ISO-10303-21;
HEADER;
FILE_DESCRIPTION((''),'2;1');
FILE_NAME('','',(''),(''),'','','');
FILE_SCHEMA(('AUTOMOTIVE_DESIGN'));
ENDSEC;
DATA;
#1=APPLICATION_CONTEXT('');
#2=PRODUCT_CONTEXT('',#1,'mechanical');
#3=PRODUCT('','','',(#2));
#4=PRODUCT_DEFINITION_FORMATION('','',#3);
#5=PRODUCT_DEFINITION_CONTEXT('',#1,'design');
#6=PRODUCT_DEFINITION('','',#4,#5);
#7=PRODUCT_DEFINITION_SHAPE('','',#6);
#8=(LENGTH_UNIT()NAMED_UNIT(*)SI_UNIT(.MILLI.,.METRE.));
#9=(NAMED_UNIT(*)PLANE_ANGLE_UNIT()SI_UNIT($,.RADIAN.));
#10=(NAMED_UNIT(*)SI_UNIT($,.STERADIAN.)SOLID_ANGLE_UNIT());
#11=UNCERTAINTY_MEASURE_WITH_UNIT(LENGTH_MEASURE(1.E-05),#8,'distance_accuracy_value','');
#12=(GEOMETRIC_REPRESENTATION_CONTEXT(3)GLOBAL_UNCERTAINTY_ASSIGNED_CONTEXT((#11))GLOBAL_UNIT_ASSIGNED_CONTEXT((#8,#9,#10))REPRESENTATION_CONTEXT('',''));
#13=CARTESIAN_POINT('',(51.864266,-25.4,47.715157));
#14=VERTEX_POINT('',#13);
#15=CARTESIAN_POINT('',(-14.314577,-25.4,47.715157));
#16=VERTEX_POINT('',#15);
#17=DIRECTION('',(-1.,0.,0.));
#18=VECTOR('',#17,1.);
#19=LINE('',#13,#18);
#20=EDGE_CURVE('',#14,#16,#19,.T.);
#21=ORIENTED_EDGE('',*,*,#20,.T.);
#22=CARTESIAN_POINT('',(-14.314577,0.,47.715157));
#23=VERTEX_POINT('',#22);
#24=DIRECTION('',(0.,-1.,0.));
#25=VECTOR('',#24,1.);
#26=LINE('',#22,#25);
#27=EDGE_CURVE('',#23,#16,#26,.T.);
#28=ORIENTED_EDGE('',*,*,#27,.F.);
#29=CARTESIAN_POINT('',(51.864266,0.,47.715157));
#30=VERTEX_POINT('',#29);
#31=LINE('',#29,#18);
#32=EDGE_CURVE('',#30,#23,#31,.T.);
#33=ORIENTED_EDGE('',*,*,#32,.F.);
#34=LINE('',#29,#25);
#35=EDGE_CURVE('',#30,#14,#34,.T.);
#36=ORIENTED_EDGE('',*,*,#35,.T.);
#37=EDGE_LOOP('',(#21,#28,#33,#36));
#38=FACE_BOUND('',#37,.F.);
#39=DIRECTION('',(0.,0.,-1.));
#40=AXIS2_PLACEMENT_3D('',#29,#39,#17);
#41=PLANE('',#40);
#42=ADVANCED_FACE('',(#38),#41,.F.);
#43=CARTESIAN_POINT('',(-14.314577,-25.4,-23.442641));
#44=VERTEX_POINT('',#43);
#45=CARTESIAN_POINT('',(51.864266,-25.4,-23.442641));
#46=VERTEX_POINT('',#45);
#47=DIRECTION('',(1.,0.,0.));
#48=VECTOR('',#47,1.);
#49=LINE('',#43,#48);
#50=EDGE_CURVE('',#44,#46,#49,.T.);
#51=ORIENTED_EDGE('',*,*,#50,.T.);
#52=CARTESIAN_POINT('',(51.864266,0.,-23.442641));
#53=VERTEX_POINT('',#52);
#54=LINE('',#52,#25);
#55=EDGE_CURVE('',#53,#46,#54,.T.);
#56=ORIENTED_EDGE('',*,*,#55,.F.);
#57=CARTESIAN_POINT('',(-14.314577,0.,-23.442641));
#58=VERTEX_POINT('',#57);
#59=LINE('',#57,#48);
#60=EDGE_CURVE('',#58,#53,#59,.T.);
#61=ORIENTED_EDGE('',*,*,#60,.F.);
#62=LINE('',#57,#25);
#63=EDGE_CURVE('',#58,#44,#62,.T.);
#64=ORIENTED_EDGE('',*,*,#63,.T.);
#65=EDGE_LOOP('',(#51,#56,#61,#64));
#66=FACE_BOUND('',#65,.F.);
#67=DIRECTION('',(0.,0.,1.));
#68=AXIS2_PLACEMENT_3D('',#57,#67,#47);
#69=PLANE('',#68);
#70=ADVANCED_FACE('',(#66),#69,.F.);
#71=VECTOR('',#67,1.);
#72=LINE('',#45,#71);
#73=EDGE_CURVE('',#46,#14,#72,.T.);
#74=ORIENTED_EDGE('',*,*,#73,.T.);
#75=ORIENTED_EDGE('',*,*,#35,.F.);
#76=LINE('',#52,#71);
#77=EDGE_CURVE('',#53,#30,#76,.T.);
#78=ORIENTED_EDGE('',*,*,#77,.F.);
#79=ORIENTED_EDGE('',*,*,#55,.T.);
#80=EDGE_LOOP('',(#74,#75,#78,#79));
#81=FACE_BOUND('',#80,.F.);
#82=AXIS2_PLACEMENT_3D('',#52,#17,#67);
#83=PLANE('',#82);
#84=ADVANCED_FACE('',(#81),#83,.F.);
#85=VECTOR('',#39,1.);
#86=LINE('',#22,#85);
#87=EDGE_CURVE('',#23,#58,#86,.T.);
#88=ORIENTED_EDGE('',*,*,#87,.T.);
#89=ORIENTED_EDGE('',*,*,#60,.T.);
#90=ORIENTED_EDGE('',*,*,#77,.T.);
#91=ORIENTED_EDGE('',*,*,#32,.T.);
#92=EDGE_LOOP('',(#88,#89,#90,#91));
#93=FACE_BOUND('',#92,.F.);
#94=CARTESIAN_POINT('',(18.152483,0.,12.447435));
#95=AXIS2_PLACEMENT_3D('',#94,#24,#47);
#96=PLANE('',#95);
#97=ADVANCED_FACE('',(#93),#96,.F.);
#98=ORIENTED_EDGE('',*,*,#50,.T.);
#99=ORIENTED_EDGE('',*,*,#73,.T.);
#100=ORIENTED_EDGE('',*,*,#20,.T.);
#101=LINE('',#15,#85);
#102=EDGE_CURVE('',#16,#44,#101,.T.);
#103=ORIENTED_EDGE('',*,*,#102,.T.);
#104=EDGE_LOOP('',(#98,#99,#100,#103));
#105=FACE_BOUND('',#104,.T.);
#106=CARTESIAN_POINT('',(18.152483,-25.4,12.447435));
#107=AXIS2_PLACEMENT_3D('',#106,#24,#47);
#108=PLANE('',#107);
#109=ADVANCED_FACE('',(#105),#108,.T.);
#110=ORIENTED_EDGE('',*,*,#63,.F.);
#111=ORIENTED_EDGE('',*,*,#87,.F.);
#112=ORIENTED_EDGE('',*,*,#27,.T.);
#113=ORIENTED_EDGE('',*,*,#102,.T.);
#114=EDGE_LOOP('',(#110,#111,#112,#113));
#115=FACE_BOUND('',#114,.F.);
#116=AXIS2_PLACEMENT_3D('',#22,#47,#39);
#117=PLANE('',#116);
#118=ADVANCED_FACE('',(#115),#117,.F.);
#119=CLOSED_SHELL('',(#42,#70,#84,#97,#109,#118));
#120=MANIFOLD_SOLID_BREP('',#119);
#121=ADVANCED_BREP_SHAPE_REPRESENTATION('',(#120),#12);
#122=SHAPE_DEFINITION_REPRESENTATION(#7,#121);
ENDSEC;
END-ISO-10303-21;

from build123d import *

# Parameters (mm, degrees)
F0_W     = 36.3049656153
F0_H     = 24.8948708177
F1_DEPTH = 25.4


with BuildPart() as f1:
    # F0 (on Front) → F1 (new body)
    with BuildSketch(Plane.XZ):
        with Locations((18.1524828076, 12.4474354088)):
            Rectangle(F0_W, F0_H)
        Polygon((0, 47.7151572704), (-14.3145769835, 47.7151572704), (-14.3145769835, -23.4426409006), (51.8642663956, -23.4426409006), (51.8642663956, 24.8948708177), (36.3049656153, 24.8948708177), (36.3049656153, 0), (0, 0), (0, 24.8948708177), align=None)
        Polygon((18.7748447061, 47.7151572704), (0, 47.7151572704), (0, 24.8948708177), (36.3049656153, 24.8948708177), (51.8642663956, 24.8948708177), (51.8642663956, 47.7151572704), (30.4961651564, 47.7151572704), align=None)
    extrude(amount=F1_DEPTH)


solid = f1.part
